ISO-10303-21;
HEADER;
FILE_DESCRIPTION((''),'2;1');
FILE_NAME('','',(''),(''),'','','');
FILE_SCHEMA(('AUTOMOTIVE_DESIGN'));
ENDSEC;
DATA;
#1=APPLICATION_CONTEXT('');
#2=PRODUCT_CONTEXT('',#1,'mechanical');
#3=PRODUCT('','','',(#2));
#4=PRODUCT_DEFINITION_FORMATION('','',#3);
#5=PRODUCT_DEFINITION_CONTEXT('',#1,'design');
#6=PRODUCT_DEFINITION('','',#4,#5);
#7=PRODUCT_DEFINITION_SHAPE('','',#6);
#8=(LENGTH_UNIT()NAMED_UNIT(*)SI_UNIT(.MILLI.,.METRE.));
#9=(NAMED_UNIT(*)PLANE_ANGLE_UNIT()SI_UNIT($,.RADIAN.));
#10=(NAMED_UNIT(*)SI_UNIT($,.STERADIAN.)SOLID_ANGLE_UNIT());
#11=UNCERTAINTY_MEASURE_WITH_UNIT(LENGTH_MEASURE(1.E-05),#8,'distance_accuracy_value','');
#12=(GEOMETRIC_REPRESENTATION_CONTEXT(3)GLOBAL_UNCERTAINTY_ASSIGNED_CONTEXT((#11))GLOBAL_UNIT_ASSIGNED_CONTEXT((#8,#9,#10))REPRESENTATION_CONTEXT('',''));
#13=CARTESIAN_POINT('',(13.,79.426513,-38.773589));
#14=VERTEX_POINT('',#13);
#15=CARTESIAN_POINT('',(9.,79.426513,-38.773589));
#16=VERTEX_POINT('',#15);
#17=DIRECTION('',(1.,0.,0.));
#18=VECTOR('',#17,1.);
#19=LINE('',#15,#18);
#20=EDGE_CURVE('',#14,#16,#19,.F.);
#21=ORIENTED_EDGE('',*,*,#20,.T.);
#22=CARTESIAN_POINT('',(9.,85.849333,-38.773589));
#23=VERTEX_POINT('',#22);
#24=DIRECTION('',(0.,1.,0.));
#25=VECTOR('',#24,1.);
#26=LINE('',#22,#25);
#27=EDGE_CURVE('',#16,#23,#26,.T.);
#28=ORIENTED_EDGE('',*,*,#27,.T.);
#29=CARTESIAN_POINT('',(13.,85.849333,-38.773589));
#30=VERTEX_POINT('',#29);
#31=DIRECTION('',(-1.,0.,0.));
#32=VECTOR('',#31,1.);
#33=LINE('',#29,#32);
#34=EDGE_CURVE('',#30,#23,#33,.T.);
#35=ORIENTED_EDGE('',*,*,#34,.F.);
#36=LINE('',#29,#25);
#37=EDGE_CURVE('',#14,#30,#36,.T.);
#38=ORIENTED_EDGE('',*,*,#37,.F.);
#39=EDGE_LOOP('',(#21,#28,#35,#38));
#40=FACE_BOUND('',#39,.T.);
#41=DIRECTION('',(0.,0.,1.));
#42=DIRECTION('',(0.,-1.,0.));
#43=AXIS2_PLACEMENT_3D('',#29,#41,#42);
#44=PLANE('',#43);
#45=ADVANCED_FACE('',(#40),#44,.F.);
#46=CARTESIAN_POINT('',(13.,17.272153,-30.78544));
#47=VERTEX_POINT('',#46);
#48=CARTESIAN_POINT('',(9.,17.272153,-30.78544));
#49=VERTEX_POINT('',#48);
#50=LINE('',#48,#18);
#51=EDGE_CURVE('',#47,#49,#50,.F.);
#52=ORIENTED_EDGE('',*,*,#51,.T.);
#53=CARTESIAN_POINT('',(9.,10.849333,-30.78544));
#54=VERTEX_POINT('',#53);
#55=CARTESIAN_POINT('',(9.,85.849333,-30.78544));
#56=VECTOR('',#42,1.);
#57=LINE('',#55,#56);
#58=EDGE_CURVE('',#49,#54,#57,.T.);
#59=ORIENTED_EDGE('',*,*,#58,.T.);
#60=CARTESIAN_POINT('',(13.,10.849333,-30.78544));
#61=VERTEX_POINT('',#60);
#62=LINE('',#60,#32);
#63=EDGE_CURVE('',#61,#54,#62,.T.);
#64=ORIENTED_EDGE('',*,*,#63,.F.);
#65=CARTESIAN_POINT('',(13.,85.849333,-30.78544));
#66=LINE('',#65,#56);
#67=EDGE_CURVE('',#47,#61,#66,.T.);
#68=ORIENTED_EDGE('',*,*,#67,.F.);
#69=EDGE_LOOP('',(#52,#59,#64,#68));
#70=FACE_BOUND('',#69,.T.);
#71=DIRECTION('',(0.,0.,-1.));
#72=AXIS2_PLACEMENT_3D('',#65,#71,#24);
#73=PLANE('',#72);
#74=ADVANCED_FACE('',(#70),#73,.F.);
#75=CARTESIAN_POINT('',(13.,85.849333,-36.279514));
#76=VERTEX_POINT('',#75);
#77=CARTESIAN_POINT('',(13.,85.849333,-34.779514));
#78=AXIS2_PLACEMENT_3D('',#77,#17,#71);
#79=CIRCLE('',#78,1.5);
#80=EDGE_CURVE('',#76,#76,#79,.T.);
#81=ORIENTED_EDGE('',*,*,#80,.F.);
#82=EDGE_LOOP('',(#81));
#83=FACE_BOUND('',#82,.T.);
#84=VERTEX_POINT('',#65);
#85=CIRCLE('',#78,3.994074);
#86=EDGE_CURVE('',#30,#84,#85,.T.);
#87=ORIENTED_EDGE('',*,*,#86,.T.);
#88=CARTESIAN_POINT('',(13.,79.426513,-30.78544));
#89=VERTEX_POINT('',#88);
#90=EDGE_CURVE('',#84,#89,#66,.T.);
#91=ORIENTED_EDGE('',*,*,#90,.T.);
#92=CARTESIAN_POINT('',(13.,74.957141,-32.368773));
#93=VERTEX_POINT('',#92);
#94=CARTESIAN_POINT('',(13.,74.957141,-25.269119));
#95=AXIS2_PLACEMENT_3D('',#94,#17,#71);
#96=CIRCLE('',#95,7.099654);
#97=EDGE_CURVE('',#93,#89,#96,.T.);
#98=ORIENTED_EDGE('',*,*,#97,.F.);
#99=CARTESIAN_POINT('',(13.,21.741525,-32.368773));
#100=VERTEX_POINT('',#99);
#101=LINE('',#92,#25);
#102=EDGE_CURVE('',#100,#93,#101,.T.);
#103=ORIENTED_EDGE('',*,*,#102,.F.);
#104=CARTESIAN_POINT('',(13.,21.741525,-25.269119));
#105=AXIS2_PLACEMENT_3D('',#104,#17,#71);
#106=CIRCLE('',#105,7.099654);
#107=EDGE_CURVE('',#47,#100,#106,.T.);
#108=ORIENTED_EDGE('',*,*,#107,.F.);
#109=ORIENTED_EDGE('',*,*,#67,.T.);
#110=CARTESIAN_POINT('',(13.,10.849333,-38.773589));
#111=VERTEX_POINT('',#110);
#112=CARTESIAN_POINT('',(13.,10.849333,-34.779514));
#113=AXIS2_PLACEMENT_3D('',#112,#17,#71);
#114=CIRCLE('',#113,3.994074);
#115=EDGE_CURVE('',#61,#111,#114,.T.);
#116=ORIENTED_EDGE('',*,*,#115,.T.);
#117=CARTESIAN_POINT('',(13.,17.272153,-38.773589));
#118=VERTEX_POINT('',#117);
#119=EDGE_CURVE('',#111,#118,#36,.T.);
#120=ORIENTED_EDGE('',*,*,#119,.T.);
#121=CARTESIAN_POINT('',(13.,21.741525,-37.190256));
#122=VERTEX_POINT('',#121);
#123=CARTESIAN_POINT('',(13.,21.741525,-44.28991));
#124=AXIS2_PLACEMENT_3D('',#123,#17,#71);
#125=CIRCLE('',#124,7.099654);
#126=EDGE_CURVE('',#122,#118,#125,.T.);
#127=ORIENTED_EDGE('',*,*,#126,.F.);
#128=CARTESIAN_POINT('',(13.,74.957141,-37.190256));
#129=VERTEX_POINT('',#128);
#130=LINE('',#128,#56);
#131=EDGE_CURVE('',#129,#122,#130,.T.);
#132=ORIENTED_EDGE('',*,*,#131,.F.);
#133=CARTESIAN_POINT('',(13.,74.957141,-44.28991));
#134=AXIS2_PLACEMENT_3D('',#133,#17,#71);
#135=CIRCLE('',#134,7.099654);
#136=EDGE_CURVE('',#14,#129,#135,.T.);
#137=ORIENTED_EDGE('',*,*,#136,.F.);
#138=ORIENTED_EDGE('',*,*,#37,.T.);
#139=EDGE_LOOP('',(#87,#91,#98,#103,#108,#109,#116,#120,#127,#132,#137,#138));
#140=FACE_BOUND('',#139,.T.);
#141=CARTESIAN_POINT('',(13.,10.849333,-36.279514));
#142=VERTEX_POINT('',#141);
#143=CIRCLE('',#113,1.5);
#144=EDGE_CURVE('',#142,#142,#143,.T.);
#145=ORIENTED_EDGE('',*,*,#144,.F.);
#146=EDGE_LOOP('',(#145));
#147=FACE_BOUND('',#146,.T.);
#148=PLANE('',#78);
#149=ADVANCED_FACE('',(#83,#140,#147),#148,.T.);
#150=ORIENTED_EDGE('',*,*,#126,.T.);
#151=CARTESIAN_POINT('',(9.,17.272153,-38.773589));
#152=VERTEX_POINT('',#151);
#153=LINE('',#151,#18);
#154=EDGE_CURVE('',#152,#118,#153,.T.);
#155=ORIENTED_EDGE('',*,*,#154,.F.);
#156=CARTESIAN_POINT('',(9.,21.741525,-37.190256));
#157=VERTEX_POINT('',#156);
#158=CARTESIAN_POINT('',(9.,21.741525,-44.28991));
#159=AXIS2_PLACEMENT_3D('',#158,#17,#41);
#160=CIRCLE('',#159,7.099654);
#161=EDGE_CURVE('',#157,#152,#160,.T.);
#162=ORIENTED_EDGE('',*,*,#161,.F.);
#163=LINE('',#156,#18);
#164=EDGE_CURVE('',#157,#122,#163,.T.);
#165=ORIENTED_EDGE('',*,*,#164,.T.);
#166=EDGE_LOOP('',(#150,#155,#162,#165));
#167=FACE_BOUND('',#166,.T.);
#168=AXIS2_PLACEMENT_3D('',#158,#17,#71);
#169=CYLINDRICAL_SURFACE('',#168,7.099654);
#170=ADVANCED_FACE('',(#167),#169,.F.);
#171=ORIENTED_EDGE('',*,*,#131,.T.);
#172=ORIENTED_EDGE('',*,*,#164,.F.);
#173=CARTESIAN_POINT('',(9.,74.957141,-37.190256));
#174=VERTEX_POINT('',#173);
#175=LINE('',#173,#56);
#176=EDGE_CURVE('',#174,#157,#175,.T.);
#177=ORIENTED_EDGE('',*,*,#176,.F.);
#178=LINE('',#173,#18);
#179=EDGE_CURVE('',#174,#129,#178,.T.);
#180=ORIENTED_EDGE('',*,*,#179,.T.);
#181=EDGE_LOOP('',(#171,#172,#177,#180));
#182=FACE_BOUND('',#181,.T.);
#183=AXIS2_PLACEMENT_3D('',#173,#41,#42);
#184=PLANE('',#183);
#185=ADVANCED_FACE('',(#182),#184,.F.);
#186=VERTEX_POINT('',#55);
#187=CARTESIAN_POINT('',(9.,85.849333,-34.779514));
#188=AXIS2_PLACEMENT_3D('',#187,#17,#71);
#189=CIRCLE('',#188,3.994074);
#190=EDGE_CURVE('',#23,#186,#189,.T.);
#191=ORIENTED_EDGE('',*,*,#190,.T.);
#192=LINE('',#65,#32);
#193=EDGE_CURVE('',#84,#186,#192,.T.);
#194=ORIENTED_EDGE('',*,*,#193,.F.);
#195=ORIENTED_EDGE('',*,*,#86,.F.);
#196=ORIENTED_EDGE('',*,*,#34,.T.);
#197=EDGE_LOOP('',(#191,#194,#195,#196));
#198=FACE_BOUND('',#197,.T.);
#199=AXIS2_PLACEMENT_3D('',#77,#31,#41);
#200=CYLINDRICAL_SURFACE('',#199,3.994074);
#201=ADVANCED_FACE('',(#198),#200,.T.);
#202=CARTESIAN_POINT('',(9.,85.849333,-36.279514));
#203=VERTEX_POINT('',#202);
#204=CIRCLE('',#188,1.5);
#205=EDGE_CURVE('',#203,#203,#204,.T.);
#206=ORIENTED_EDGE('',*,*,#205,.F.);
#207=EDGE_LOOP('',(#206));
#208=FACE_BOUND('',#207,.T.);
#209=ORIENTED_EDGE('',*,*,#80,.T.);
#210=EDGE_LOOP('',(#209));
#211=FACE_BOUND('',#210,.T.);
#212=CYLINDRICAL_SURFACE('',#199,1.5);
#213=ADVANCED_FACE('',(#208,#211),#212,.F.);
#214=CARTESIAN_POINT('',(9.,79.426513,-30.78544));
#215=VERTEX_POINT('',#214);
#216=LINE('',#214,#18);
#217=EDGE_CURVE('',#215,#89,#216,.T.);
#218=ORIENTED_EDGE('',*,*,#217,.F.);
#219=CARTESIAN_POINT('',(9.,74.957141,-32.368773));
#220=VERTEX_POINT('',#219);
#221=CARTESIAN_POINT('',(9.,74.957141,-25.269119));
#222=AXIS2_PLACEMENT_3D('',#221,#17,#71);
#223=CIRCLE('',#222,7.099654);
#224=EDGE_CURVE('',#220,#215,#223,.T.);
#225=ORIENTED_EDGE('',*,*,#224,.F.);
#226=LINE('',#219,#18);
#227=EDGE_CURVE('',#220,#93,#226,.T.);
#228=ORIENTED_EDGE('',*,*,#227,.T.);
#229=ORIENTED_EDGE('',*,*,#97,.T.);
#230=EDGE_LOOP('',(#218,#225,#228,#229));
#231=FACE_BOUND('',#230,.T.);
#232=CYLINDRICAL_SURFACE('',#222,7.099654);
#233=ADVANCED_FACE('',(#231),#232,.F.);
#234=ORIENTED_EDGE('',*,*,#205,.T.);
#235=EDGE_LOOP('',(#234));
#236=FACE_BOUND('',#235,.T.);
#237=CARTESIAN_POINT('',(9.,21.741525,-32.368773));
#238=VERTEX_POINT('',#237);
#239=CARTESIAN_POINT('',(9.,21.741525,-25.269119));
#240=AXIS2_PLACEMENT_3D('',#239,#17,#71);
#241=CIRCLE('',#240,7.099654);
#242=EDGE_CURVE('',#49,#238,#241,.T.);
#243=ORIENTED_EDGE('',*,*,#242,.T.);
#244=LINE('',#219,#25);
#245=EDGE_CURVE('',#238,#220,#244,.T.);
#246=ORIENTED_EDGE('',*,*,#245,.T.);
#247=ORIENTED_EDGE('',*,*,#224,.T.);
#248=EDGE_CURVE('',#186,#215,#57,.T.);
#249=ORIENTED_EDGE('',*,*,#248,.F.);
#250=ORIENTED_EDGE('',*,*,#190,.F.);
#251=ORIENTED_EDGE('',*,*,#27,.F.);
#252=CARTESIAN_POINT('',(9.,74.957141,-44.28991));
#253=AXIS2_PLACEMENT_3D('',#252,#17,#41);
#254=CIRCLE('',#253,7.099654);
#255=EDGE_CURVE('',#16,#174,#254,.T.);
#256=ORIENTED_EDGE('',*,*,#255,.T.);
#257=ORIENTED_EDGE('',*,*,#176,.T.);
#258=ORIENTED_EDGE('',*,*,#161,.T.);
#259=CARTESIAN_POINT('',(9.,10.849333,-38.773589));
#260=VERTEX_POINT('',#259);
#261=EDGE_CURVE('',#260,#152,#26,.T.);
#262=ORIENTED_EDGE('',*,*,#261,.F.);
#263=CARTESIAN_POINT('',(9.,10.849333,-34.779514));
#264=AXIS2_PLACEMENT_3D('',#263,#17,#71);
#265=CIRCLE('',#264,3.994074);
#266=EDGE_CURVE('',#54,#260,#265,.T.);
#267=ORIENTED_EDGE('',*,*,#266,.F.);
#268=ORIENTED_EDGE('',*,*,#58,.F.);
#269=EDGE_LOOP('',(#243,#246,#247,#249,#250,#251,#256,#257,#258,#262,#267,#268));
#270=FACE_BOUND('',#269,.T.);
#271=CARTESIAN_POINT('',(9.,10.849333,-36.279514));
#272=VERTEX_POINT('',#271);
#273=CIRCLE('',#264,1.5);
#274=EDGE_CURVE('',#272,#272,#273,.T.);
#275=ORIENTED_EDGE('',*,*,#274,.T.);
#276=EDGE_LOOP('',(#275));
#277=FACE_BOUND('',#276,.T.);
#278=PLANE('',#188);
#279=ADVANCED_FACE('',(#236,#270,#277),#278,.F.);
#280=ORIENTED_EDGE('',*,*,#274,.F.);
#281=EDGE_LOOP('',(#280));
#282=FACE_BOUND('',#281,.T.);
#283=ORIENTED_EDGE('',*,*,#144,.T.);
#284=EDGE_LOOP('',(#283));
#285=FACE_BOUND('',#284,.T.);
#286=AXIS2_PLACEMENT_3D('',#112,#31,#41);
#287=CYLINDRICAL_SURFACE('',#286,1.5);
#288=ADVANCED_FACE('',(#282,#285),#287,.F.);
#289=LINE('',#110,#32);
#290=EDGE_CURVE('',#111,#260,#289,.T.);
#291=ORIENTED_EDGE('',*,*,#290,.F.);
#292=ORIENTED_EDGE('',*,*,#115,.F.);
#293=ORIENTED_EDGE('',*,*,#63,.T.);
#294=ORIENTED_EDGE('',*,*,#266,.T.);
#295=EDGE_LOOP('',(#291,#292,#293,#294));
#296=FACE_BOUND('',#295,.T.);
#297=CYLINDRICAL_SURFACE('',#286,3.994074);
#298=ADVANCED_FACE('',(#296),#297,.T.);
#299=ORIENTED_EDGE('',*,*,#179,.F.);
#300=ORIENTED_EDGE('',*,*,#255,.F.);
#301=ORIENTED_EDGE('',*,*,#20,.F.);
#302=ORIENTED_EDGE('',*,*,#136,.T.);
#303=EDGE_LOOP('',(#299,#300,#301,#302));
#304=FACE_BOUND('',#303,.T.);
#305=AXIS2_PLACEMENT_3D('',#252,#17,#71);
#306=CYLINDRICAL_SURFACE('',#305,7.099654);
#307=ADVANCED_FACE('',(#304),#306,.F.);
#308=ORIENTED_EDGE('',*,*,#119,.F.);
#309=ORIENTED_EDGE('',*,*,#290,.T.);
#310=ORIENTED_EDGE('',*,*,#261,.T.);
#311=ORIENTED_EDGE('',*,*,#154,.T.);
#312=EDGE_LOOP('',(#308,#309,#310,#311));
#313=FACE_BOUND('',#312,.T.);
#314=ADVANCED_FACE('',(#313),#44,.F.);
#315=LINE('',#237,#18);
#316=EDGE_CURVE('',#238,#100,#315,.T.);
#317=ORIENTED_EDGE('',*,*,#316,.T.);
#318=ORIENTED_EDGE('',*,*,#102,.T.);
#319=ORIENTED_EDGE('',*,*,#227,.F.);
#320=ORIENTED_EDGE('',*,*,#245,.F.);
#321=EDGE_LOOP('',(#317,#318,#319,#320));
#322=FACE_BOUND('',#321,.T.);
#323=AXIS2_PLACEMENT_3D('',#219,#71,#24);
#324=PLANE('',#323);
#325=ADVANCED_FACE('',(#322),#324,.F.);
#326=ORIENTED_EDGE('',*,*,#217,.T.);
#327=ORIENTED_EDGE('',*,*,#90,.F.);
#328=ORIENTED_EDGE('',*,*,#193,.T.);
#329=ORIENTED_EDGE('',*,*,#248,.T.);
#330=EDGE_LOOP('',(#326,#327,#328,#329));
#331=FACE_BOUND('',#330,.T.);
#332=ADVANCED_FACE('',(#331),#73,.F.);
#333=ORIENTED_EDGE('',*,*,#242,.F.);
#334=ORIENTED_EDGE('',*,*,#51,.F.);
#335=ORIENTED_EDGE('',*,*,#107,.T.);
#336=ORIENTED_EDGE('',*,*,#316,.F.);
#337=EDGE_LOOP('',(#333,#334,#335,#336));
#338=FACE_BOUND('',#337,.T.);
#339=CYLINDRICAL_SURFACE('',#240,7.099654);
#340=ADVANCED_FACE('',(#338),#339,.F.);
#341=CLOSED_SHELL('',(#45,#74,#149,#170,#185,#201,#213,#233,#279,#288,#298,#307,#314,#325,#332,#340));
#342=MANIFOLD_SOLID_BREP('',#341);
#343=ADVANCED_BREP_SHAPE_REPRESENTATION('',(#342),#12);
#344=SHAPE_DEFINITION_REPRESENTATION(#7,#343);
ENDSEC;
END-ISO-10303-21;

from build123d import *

# Parameters (mm, degrees)
SKETCH1_R               = 10
SKETCH1_R_2             = 0.8
SKETCH1_R_3             = 3.301767793
BOSS_EXTRUDE1_DEPTH     = 1.5
SKETCH2_R               = 10
BOSS_EXTRUDE2_DEPTH     = 9
SKETCH3_R               = 1.5
CUT_EXTRUDE1_DEPTH      = 1
CUT_EXTRUDE1_DEPTH_BACK = 10
FILLET1_R               = 5
SKETCH4_R               = 1.5
BOSS_EXTRUDE3_DEPTH     = 4
SKETCH5_W               = 43.786924739
SKETCH5_H               = 105.486682325
CUT_EXTRUDE2_DEPTH      = 5
CUT_EXTRUDE2_DEPTH_BACK = 10.0000001
CUT_EXTRUDE3_DEPTH      = 1
CUT_EXTRUDE3_DEPTH_BACK = 5


with BuildPart() as part:
    # Sketch1 → Boss-Extrude1 (new body)
    with BuildSketch(Plane(origin=(0, 0, 0), x_dir=(0, 0, -1), z_dir=(1, 0, 0))):
        with Locations((2.983378847, 10.826778074)):
            Circle(SKETCH1_R)
        with Locations((2.983378847, 18.576778074)):
            Circle(SKETCH1_R_2, mode=Mode.SUBTRACT)
        with Locations((2.983378847, 3.076778074)):
            Circle(SKETCH1_R_2, mode=Mode.SUBTRACT)
        with Locations((-3.266621153, 10.826778074)):
            Circle(SKETCH1_R_2, mode=Mode.SUBTRACT)
        with Locations((9.233378847, 10.826778074)):
            Circle(SKETCH1_R_2, mode=Mode.SUBTRACT)
        with Locations((2.983378847, 10.826778074)):
            Circle(SKETCH1_R_3, mode=Mode.SUBTRACT)
    extrude(amount=BOSS_EXTRUDE1_DEPTH)

    # Sketch2 → Boss-Extrude2 (add)
    with BuildSketch(Plane.ZY):
        with BuildLine():
            Line((-15.531923741, 95.891603494), (9.565166047, 95.891603494))
            Line((9.565166047, 95.891603494), (9.565166047, 10.826778074))
            ThreePointArc((9.565166047, 10.826778074), (-2.983378847, -1.721766821), (-15.531923741, 10.826778074))
            Line((-15.531923741, 10.826778074), (-15.531923741, 95.891603494))
        make_face()
        with Locations((-2.983378847, 10.826778074)):
            Circle(SKETCH2_R, mode=Mode.SUBTRACT)
    extrude(amount=-BOSS_EXTRUDE2_DEPTH)

    # Sketch3 → Cut-Extrude1 (cut, two sides)
    with BuildSketch(Plane(origin=(9, 0, 0), x_dir=(0, 0, -1), z_dir=(1, 0, 0))) as cut_extrude1_sk:
        with Locations((2.983378847, 90.473665847)):
            Circle(SKETCH3_R)
        with BuildLine():
            Line((-3.051129507, 36.150412664), (-3.051129507, 97.572569437))
            Line((-3.051129507, 97.572569437), (-16.389018159, 97.572569437))
            Line((-16.389018159, 97.572569437), (-16.389018159, 8.14109285))
            Line((-16.389018159, 8.14109285), (-9.565166047, 10.826778074))
            add(Edge.make_bspline(
                [(-9.565166047, 10.826778074), (-9.644230884, 15.122204253), (-6.916245701, 23.507010268), (-3.42826878, 31.561714956), (-3.051129507, 36.150412664)],
                knots=[0, 0, 0, 0, 0.482384809, 1, 1, 1, 1], degree=3))
        make_face()
        with BuildLine():
            Line((22.355775853, 8.14109285), (15.531923741, 10.826778074))
            add(Edge.make_bspline(
                [(15.531923741, 10.826778074), (15.610988578, 15.122204253), (12.883003395, 23.507010268), (9.395026474, 31.561714956), (9.017887201, 36.150412664)],
                knots=[0, 0, 0, 0, 0.482384809, 1, 1, 1, 1], degree=3))
            Line((9.017887201, 36.150412664), (9.017887201, 97.572569437))
            Line((9.017887201, 97.572569437), (22.355775853, 97.572569437))
            Line((22.355775853, 97.572569437), (22.355775853, 8.14109285))
        make_face()
    extrude(amount=CUT_EXTRUDE1_DEPTH, mode=Mode.SUBTRACT)
    extrude(cut_extrude1_sk.sketch, amount=-CUT_EXTRUDE1_DEPTH_BACK, mode=Mode.SUBTRACT)

    # Fillet1
    fillet1_edges = [part.edges().sort_by_distance(p)[0] for p in [
        (4.5, 95.891603494, 3.051129507),
        (4.5, 95.891603494, -9.017887201),
    ]]
    fillet(fillet1_edges, radius=FILLET1_R)

    # Sketch5 → Cut-Extrude2 (cut, two sides)
    with BuildSketch(Plane(origin=(9, 0, 0), x_dir=(0, 0, -1), z_dir=(1, 0, 0))) as cut_extrude2_sk:
        with Locations((-1.981744939, 44.563852974)):
            Rectangle(SKETCH5_W, SKETCH5_H)
    extrude(amount=CUT_EXTRUDE2_DEPTH, mode=Mode.SUBTRACT)
    extrude(cut_extrude2_sk.sketch, amount=-CUT_EXTRUDE2_DEPTH_BACK, mode=Mode.SUBTRACT)


with BuildPart() as body_2:
    # Sketch4 → Boss-Extrude3 (new body)
    with BuildSketch(Plane(origin=(9, 0, 0), x_dir=(0, 0, -1), z_dir=(1, 0, 0))):
        with BuildLine():
            Line((38.773588851, 85.849332764), (38.773588851, 10.849332764))
            ThreePointArc((38.773588851, 10.849332764), (34.779514456, 6.855258369), (30.785440062, 10.849332764))
            Line((30.785440062, 10.849332764), (30.785440062, 85.849332764))
            ThreePointArc((30.785440062, 85.849332764), (34.779514456, 89.843407159), (38.773588851, 85.849332764))
        make_face()
        with Locations((34.779514456, 85.849332764)):
            Circle(SKETCH4_R, mode=Mode.SUBTRACT)
        with Locations((34.779514456, 10.849332764)):
            Circle(SKETCH4_R, mode=Mode.SUBTRACT)
    extrude(amount=BOSS_EXTRUDE3_DEPTH)

    # Sketch6 → Cut-Extrude3 (cut, two sides)
    with BuildSketch(Plane(origin=(13, 0, 0), x_dir=(0, 0, -1), z_dir=(1, 0, 0))) as cut_extrude3_sk:
        with BuildLine():
            Line((32.368772821, 74.957140703), (32.368772821, 21.741524825))
            ThreePointArc((32.368772821, 21.741524825), (25.269119008, 14.641871012), (18.169465194, 21.741524825))
            Line((18.169465194, 21.741524825), (18.169465194, 74.957140703))
            ThreePointArc((18.169465194, 74.957140703), (25.269119008, 82.056794517), (32.368772821, 74.957140703))
        make_face()
        with BuildLine():
            Line((37.190256091, 74.957140703), (37.190256091, 21.741524825))
            ThreePointArc((37.190256091, 21.741524825), (44.289909905, 14.641871012), (51.389563719, 21.741524825))
            Line((51.389563719, 21.741524825), (51.389563719, 74.957140703))
            ThreePointArc((51.389563719, 74.957140703), (44.289909905, 82.056794517), (37.190256091, 74.957140703))
        make_face()
    extrude(amount=CUT_EXTRUDE3_DEPTH, mode=Mode.SUBTRACT)
    extrude(cut_extrude3_sk.sketch, amount=-CUT_EXTRUDE3_DEPTH_BACK, mode=Mode.SUBTRACT)


solid = body_2.part
